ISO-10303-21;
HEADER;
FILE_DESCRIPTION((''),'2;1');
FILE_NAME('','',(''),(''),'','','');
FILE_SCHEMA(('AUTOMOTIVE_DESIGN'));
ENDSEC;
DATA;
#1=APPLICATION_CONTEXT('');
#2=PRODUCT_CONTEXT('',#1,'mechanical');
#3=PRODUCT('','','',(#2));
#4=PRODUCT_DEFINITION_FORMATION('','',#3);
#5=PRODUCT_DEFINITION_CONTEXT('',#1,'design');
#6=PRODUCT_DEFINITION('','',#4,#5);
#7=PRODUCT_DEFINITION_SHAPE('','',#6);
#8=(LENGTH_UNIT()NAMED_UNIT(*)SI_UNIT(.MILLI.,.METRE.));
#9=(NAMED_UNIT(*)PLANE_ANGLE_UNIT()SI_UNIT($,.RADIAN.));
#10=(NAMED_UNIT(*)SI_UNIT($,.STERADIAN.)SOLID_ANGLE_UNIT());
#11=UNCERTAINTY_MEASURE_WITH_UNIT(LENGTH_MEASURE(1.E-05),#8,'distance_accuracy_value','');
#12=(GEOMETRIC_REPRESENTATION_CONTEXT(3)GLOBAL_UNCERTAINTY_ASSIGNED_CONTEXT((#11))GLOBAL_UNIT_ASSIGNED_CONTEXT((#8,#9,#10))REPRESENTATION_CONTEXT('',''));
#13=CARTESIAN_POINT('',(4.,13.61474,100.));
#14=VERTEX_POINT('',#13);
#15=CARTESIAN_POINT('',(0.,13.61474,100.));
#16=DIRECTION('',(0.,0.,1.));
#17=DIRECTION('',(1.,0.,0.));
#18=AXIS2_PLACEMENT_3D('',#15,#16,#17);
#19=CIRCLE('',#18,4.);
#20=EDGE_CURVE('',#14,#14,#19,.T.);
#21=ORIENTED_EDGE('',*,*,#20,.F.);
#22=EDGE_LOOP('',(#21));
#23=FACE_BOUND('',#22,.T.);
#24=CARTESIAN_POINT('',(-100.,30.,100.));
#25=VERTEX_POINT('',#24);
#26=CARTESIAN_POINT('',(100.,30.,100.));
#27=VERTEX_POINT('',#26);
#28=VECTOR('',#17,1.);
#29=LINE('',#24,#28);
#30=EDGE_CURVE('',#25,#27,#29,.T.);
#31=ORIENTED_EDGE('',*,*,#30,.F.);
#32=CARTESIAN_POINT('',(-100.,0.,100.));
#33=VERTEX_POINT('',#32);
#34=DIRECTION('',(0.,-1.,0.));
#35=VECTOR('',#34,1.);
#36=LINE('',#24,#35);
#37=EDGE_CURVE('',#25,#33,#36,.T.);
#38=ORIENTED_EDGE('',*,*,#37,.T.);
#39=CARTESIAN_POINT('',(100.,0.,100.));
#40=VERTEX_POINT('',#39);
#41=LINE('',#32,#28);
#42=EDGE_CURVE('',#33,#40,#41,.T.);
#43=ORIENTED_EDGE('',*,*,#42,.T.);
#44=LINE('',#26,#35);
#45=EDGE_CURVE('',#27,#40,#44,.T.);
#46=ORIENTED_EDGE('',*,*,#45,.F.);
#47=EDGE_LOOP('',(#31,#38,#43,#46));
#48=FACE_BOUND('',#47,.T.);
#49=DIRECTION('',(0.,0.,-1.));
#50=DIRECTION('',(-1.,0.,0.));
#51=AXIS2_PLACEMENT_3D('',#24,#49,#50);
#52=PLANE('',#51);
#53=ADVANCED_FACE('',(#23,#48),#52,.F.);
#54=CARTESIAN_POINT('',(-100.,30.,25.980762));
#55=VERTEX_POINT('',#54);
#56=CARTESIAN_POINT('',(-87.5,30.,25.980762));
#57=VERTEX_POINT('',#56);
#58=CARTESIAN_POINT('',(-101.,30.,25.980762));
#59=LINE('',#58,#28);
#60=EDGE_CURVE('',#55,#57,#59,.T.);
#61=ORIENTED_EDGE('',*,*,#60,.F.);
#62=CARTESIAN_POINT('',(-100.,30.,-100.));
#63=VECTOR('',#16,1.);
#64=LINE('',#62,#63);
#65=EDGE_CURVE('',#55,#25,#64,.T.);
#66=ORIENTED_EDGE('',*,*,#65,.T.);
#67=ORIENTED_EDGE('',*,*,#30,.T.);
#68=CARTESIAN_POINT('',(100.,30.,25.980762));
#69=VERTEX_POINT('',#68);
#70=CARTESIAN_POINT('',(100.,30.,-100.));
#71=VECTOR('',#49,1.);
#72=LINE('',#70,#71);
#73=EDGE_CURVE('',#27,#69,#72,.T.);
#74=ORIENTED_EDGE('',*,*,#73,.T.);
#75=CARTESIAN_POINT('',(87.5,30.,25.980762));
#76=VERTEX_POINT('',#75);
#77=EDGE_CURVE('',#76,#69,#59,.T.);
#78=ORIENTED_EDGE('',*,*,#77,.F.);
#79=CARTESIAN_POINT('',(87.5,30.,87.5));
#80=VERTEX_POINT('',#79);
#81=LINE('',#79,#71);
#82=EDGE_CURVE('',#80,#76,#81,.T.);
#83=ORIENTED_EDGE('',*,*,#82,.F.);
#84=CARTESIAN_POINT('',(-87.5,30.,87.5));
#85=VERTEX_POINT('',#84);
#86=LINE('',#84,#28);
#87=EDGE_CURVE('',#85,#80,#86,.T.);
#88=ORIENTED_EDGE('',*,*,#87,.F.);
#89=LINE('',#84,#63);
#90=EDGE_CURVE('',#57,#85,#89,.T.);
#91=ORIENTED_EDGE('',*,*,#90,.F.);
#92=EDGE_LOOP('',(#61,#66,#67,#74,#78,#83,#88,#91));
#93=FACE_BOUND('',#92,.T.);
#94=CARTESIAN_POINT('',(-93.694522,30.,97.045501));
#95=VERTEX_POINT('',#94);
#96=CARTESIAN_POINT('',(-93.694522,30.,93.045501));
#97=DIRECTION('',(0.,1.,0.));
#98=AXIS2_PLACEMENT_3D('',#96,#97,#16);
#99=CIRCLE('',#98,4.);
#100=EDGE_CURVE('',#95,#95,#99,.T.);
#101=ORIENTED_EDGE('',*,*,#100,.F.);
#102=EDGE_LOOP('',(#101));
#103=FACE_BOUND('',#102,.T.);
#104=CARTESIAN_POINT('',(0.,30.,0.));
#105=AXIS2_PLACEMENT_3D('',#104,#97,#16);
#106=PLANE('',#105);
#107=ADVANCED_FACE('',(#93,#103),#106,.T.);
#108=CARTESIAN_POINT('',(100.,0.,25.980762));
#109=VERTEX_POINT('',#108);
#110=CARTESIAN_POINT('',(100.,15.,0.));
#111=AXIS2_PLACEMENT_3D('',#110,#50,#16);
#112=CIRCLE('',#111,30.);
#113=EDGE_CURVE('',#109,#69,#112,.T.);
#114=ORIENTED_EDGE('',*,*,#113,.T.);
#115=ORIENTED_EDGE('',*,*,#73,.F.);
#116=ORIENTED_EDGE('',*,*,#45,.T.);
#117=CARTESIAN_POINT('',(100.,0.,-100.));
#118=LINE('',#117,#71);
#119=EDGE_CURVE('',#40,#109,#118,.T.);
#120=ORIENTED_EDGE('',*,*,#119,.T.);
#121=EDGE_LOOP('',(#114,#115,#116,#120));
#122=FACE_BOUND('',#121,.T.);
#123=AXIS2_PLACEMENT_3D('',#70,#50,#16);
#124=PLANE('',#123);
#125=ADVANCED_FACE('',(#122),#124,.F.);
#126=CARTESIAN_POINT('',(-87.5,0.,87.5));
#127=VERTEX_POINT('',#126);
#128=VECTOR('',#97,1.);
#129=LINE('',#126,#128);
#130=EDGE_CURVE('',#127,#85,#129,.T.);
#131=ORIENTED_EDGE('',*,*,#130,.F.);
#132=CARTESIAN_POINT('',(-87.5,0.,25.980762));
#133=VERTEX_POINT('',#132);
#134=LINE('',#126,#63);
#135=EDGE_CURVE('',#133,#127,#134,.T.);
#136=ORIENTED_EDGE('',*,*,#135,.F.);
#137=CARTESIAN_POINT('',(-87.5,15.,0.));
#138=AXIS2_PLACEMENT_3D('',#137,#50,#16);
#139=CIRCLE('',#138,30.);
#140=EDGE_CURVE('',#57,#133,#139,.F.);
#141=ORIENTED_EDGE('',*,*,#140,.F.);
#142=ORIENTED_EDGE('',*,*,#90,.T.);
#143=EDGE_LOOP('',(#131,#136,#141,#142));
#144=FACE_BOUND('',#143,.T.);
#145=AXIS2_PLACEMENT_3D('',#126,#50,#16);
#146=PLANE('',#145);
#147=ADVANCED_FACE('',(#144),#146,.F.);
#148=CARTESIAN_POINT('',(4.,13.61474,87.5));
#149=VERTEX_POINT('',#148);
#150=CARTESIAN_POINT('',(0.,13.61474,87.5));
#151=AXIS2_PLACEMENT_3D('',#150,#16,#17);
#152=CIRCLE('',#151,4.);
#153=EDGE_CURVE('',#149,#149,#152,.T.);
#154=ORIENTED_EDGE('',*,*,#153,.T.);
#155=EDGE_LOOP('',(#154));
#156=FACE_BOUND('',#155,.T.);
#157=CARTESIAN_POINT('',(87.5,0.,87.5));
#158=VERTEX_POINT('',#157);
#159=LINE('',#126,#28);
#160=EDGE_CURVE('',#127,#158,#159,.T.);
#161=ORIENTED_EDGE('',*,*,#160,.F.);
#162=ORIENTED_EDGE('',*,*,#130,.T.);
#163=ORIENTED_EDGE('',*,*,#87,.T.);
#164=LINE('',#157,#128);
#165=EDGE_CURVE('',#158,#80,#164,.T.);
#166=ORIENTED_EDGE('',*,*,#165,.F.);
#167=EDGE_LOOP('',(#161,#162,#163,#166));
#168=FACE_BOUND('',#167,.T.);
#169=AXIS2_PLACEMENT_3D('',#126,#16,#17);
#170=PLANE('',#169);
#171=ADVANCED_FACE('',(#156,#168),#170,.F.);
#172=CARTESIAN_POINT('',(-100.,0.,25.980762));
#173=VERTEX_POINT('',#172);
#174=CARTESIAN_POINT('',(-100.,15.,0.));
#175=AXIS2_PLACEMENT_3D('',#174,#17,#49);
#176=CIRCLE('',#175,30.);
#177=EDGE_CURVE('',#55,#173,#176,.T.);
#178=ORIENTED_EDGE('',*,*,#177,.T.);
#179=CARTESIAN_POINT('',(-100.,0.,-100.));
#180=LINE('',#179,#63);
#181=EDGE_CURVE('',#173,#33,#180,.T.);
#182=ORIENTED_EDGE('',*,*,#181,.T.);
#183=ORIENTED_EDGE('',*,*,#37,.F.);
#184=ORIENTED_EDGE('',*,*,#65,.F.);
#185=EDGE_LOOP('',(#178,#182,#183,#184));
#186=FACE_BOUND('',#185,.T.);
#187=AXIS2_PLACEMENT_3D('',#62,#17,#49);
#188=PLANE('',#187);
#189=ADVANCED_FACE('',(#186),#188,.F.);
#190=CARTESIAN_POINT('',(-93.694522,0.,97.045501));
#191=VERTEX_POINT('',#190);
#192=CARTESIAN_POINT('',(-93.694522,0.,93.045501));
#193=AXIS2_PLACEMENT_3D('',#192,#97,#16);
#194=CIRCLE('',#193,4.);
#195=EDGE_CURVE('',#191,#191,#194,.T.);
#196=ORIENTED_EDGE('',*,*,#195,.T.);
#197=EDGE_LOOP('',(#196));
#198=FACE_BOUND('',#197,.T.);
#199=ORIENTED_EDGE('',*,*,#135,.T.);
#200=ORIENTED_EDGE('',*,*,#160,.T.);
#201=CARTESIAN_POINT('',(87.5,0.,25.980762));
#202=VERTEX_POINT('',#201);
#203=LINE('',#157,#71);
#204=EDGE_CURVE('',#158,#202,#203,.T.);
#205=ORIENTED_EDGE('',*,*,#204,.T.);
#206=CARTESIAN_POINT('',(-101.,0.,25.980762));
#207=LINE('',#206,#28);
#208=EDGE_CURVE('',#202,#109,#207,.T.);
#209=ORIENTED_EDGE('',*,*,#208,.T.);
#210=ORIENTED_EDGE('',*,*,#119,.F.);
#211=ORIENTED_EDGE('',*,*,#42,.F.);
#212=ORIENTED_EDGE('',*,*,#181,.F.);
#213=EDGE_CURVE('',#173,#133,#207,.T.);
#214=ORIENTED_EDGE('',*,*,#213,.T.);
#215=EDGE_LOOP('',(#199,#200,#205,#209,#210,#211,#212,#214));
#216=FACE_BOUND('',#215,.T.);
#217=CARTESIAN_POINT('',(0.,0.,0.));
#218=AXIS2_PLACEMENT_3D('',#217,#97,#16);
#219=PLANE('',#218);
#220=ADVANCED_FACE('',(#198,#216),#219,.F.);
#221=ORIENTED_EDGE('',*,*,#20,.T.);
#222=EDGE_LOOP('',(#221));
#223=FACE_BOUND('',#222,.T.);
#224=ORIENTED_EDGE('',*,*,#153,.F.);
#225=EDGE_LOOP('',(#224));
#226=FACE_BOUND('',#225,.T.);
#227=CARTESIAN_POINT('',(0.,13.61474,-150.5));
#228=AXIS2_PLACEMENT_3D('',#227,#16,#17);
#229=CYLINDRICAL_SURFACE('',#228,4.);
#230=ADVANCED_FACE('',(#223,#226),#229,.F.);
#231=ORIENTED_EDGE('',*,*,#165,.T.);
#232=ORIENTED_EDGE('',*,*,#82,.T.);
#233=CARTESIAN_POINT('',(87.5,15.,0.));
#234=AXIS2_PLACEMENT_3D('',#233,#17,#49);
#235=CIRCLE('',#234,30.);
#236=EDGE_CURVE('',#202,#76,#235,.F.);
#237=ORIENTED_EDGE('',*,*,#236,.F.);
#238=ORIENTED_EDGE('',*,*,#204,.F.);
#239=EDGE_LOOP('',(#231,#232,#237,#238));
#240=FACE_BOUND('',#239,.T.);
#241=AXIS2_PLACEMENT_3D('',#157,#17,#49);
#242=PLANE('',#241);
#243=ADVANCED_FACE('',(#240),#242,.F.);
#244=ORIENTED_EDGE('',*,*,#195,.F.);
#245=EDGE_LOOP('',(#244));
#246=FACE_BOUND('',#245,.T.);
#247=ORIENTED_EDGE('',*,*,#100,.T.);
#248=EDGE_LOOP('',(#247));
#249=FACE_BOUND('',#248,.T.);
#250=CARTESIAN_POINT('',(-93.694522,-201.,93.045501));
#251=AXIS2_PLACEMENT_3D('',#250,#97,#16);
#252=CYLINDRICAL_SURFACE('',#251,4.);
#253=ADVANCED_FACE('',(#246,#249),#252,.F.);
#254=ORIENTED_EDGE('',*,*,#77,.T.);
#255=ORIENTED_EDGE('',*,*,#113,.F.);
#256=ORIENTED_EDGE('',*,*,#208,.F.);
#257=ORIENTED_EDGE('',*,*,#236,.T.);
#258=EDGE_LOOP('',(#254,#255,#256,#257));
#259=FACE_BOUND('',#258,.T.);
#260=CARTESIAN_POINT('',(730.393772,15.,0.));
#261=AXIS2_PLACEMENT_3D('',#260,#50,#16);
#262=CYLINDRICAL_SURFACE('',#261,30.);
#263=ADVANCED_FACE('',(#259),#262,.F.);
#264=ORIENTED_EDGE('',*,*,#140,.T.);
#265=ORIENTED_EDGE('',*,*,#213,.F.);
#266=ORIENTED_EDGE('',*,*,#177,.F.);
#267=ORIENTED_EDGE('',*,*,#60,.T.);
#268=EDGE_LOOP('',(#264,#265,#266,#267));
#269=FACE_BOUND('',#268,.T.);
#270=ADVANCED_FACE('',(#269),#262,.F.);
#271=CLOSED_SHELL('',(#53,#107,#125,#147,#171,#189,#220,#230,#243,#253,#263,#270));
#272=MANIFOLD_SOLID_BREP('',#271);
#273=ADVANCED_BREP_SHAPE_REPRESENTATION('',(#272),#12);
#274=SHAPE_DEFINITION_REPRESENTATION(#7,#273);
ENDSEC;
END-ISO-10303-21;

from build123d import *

# Parameters (mm, degrees)
SKETCH1_W                = 200
SKETCH1_H                = 200
BOSS_EXTRUDE1_DEPTH      = 30
SKETCH4_W                = 175
SKETCH4_H                = 175
CUT_EXTRUDE1_DEPTH       = 30
SKETCH7_R                = 4
CUT_EXTRUDE2_DEPTH       = 210
SKETCH10_W               = 6.040230253
SKETCH10_H               = 30
BOSS_EXTRUDE2_DEPTH      = 20
SKETCH11_W               = 10
SKETCH11_H               = 30
BOSS_EXTRUDE3_DEPTH      = 20
CUT_EXTRUDE3_START       = -231
SKETCH12_R               = 4
CUT_EXTRUDE3_DEPTH       = 231
SKETCH13_R               = 4
CUT_EXTRUDE5_DEPTH       = 231
SKETCH14_R               = 4
CUT_EXTRUDE6_DEPTH       = 250.5
SKETCH15_R               = 30
SKETCH15_R_2             = 22
BOSS_EXTRUDE5_DEPTH      = 201
SKETCH17_R               = 22
CUT_EXTRUDE7_DEPTH       = 201
SKETCH21_W               = 9.5
SKETCH21_H               = 28.855904386
BOSS_EXTRUDE6_DEPTH      = 26
SKETCH22_W               = 9.5
SKETCH22_H               = 6.040230253
CUT_EXTRUDE10_DEPTH      = 49
SKETCH23_W               = 10.008922512
SKETCH23_H               = 28.855904386
BOSS_EXTRUDE7_DEPTH      = 21
SKETCH24_W               = 9.5
SKETCH24_H               = 1.144095614
CUT_EXTRUDE11_DEPTH      = 27
SKETCH26_W               = 0.50137975
SKETCH26_H               = 20.893624798
CUT_EXTRUDE12_DEPTH      = 35
SKETCH27_R               = 49.192783102
CUT_EXTRUDE13_DEPTH      = 175
SKETCH28_R               = 41.209023923
CUT_EXTRUDE14_DEPTH      = 175
SKETCH31_R               = 25.671187695
CUT_EXTRUDE15_DEPTH      = 175
CUT_EXTRUDE16_DEPTH      = 246.814971066
CUT_EXTRUDE16_DEPTH_BACK = 220


with BuildPart() as part:
    # Sketch1 → Boss-Extrude1 (new body)
    with BuildSketch(Plane(origin=(0, 0, 0), x_dir=(1, 0, 0), z_dir=(0, 1, 0))):
        Rectangle(SKETCH1_W, SKETCH1_H)
    extrude(amount=BOSS_EXTRUDE1_DEPTH)

    # Sketch4 → Cut-Extrude1 (cut)
    with BuildSketch(Plane(origin=(0, 30, 0), x_dir=(1, 0, 0), z_dir=(0, 1, 0))):
        Rectangle(SKETCH4_W, SKETCH4_H)
    extrude(amount=-CUT_EXTRUDE1_DEPTH, mode=Mode.SUBTRACT)

    # Sketch7 → Cut-Extrude2 (cut)
    with BuildSketch(Plane.ZY.offset(100)):
        with Locations((0, 15)):
            Circle(SKETCH7_R)
    extrude(amount=-CUT_EXTRUDE2_DEPTH, mode=Mode.SUBTRACT)

    # Sketch10 → Boss-Extrude2 (add)
    with BuildSketch(Plane.ZY.offset(100)):
        with Locations((-11.64671233, 15)):
            Rectangle(SKETCH10_W, SKETCH10_H)
    extrude(amount=BOSS_EXTRUDE2_DEPTH)

    # Sketch11 → Boss-Extrude3 (add)
    with BuildSketch(Plane.XY.offset(-8.626597203)):
        with Locations((-115, 15)):
            Rectangle(SKETCH11_W, SKETCH11_H)
    extrude(amount=BOSS_EXTRUDE3_DEPTH)

    # Sketch12 → Cut-Extrude3 (cut)
    with BuildSketch(Plane(origin=(100, 0, 0), x_dir=(0, 0, -1), z_dir=(1, 0, 0)).offset(CUT_EXTRUDE3_START)):
        with Locations(Location((0, 15, 0), (0, 0, 180))):
            Circle(SKETCH12_R)
    extrude(amount=CUT_EXTRUDE3_DEPTH, mode=Mode.SUBTRACT)

    # Sketch13 → Cut-Extrude5 (cut)
    with BuildSketch(Plane(origin=(0, 30, 0), x_dir=(1, 0, 0), z_dir=(0, 1, 0))):
        with Locations(Location((-93.69452155, -93.045501349, 0), (0, 0, 270))):
            Circle(SKETCH13_R)
    extrude(amount=-CUT_EXTRUDE5_DEPTH, mode=Mode.SUBTRACT)

    # Sketch14 → Cut-Extrude6 (cut)
    with BuildSketch(Plane.XY.offset(100)):
        with Locations((0, 13.614739596)):
            Circle(SKETCH14_R)
    extrude(amount=-CUT_EXTRUDE6_DEPTH, mode=Mode.SUBTRACT)

    # Sketch15 → Boss-Extrude5 (add)
    with BuildSketch(Plane(origin=(100, 0, 0), x_dir=(0, 0, -1), z_dir=(1, 0, 0))):
        with Locations((0, 15)):
            Circle(SKETCH15_R)
        with Locations((0, 15)):
            Circle(SKETCH15_R_2, mode=Mode.SUBTRACT)
    extrude(amount=-BOSS_EXTRUDE5_DEPTH)

    # Sketch17 → Cut-Extrude7 (cut)
    with BuildSketch(Plane(origin=(100, 0, 0), x_dir=(0, 0, -1), z_dir=(1, 0, 0))):
        with Locations((0.074377339, 15.100772812)):
            Circle(SKETCH17_R)
    extrude(amount=-CUT_EXTRUDE7_DEPTH, mode=Mode.SUBTRACT)


with BuildPart() as cut_extrude7_piece_1:
    # of the separate pieces the step leaves, piece 1, a body of its own (cut_extrude7_pieces)
    add(part.part.solids().sort_by_distance((-100, 0, -100))[0])



with BuildPart() as cut_extrude7_piece_2:
    # of the separate pieces the step leaves, piece 2, a body of its own (cut_extrude7_pieces)
    add(part.part.solids().sort_by_distance((-101, 0, -14.666827456))[0])

    # Sketch21 → Boss-Extrude6 (add)
    with BuildSketch(Plane(origin=(0, 0, -14.666827456), x_dir=(-1, 0, 0), z_dir=(0, 0, -1))):
        with Locations((115.25, 15.572047807)):
            Rectangle(SKETCH21_W, SKETCH21_H)
    extrude(amount=BOSS_EXTRUDE6_DEPTH)

    # Sketch22 → Cut-Extrude10 (cut)
    with BuildSketch(Plane(origin=(0, 30, 0), x_dir=(1, 0, 0), z_dir=(0, 1, 0))):
        with Locations((-105.75, 11.64671233)):
            Rectangle(SKETCH22_W, SKETCH22_H)
    extrude(amount=-CUT_EXTRUDE10_DEPTH, mode=Mode.SUBTRACT)


with BuildPart() as cut_extrude7_piece_1_1:
    add(cut_extrude7_piece_1.part)

    add(cut_extrude7_piece_2.part)  # Boss-Extrude7 merges Cut-Extrude7 piece 2
    # Sketch23 → Boss-Extrude7 (add)
    with BuildSketch(Plane(origin=(-110.5, 0, 0), x_dir=(0, 0, -1), z_dir=(1, 0, 0))):
        with Locations((35.6623662, 15.572047807)):
            Rectangle(SKETCH23_W, SKETCH23_H)
    extrude(amount=BOSS_EXTRUDE7_DEPTH)

    # Sketch24 → Cut-Extrude11 (cut)
    with BuildSketch(Plane(origin=(0, 0, -14.666827456), x_dir=(-1, 0, 0), z_dir=(0, 0, -1))):
        with Locations((115.25, 0.572047807)):
            Rectangle(SKETCH24_W, SKETCH24_H)
    extrude(amount=-CUT_EXTRUDE11_DEPTH, mode=Mode.SUBTRACT)

    # Sketch26 → Cut-Extrude12 (cut)
    with BuildSketch(Plane.XZ):
        with Locations((-110.249310125, 1.820215196)):
            Rectangle(SKETCH26_W, SKETCH26_H)
    extrude(amount=-CUT_EXTRUDE12_DEPTH, mode=Mode.SUBTRACT)

    # Sketch27 → Cut-Extrude13 (cut)
    with BuildSketch(Plane(origin=(-87.5, 0, 0), x_dir=(0, 0, -1), z_dir=(1, 0, 0))):
        with Locations((-31.916352411, 15.376133278)):
            Circle(SKETCH27_R)
    extrude(amount=CUT_EXTRUDE13_DEPTH, mode=Mode.SUBTRACT)

    # Sketch28 → Cut-Extrude14 (cut)
    with BuildSketch(Plane(origin=(-87.5, 0, 0), x_dir=(0, 0, -1), z_dir=(1, 0, 0))):
        with Locations((37.762434774, 15.494435184)):
            Circle(SKETCH28_R)
    extrude(amount=CUT_EXTRUDE14_DEPTH, mode=Mode.SUBTRACT)

    # Sketch31 → Cut-Extrude15 (cut)
    with BuildSketch(Plane(origin=(-87.5, 0, 0), x_dir=(0, 0, -1), z_dir=(1, 0, 0))):
        with Locations((-2.206126603, -10.850671417)):
            Circle(SKETCH31_R)
    extrude(amount=CUT_EXTRUDE15_DEPTH, mode=Mode.SUBTRACT)

    # Sketch32 → Cut-Extrude16 (cut, two sides: drawn at the far end of the back side and taken through both)
    with BuildSketch(Plane(origin=(100, 0, 0), x_dir=(0, 0, -1), z_dir=(1, 0, 0)).offset(-CUT_EXTRUDE16_DEPTH_BACK)):
        with BuildLine():
            Line((112.795739645, 270.367951942), (-25.980762114, 30))
            ThreePointArc((-25.980762114, 30), (-30, 15), (-25.980762114, 0))
            Line((-25.980762114, 0), (112.795739645, -240.367951942))
            Line((112.795739645, -240.367951942), (667.901746678, -240.367951942))
            Line((667.901746678, -240.367951942), (667.901746678, 270.367951942))
            Line((667.901746678, 270.367951942), (112.795739645, 270.367951942))
        make_face()
    extrude(amount=CUT_EXTRUDE16_DEPTH + CUT_EXTRUDE16_DEPTH_BACK, mode=Mode.SUBTRACT)


solid = cut_extrude7_piece_1_1.part
